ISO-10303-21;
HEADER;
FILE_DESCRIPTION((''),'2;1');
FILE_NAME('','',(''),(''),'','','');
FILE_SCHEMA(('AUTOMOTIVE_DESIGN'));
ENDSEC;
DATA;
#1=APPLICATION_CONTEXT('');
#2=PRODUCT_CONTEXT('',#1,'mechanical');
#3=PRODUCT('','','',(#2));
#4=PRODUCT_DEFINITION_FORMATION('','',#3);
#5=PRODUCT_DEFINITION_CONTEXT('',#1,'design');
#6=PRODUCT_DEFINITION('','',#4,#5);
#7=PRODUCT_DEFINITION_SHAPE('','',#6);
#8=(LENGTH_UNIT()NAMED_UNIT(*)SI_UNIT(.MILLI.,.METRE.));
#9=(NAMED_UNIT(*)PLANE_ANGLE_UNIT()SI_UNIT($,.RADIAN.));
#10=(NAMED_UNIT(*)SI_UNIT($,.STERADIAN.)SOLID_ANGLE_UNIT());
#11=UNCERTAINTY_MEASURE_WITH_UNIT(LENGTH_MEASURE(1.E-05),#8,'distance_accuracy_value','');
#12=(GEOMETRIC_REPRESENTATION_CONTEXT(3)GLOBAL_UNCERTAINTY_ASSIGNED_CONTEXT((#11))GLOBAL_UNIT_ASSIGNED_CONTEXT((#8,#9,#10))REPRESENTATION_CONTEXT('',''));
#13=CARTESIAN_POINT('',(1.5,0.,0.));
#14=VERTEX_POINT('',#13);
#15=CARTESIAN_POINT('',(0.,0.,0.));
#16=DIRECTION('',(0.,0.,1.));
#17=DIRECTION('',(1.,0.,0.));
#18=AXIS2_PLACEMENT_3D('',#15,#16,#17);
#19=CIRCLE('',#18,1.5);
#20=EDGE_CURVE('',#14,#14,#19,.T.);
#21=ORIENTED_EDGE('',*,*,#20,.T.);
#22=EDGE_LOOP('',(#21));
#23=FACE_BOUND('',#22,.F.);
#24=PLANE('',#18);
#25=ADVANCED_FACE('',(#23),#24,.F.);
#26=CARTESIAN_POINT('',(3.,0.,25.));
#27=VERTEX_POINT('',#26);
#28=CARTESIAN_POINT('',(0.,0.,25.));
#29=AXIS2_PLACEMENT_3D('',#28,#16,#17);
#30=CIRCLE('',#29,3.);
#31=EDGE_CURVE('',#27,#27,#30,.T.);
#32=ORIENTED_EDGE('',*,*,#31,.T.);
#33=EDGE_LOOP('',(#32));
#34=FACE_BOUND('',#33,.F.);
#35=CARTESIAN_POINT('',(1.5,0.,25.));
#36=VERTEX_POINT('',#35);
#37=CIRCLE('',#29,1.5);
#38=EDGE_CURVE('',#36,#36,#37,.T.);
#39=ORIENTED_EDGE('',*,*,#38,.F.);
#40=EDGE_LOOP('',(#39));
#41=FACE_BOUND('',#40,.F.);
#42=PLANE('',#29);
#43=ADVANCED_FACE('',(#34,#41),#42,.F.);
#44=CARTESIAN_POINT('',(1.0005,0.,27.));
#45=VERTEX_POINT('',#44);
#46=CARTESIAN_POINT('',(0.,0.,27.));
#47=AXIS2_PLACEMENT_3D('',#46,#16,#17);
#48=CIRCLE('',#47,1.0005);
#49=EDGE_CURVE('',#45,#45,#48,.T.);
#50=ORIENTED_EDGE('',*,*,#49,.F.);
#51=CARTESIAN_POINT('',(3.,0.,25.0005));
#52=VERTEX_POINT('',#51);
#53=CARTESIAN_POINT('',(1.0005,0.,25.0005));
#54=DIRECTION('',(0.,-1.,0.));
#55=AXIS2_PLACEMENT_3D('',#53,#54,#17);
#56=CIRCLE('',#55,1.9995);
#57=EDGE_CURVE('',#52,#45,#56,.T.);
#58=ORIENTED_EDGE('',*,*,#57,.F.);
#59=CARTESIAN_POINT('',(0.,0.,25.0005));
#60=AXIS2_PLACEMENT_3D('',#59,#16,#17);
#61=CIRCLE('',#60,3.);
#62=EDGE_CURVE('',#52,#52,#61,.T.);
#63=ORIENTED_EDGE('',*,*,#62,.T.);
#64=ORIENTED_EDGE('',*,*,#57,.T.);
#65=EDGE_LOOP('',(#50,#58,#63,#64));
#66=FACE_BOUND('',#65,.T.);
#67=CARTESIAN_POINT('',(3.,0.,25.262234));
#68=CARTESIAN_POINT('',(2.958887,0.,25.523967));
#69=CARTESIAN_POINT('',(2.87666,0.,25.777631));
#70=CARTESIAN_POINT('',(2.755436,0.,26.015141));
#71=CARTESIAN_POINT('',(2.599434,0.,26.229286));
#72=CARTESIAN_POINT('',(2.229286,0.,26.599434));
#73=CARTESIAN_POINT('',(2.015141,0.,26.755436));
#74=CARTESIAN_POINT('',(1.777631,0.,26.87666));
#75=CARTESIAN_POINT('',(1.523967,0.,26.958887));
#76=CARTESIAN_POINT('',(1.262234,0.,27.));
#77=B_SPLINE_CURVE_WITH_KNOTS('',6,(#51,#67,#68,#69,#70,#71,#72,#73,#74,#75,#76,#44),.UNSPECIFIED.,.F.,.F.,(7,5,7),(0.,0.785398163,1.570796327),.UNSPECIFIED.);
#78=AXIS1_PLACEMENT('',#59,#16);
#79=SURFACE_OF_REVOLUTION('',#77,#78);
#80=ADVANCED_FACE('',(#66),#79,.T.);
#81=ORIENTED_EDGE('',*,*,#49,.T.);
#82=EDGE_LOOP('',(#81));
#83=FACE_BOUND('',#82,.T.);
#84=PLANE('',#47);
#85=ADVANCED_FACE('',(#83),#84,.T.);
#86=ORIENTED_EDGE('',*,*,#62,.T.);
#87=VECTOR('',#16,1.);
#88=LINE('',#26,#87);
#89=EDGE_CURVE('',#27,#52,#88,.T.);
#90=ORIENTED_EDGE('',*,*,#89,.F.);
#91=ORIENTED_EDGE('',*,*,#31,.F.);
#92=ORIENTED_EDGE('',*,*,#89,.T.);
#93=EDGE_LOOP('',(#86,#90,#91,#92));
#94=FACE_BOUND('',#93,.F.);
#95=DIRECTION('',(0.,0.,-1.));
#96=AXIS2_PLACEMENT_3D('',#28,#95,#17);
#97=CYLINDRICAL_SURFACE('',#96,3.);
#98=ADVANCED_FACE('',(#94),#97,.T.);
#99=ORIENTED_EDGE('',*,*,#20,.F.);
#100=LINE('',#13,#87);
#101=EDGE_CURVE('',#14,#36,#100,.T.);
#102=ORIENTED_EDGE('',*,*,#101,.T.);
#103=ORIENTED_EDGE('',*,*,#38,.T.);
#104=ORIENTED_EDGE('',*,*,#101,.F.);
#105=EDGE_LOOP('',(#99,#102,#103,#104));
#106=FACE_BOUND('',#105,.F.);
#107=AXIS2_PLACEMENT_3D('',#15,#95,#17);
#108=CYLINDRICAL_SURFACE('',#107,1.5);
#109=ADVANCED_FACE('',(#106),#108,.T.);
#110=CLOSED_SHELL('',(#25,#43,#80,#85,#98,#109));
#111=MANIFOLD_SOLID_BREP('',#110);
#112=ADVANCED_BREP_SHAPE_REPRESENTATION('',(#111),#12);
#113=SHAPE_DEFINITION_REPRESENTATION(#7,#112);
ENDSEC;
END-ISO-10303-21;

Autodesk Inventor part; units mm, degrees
ref_plane "YZ Plane" through (0, 0, 0) normal (1, 0, 0) x (0, 1, 0)
ref_plane "XZ Plane" through (0, 0, 0) normal (0, 1, 0) x (-1, 0, 0)
ref_plane "XY Plane" through (0, 0, 0) normal (0, 0, 1) x (1, 0, 0)
sketch "スケッチ1" plane through (0, 0, 0) normal (0, 0, 1) x (1, 0, 0)
  circle A0 centre (0, 0) radius 1.5
  dimension "d0" = 3
extrude "押し出し1" add sketch "スケッチ1" along normal blind 25
sketch "スケッチ2" plane through (0, 0, 25) normal (0, 0, 1) x (1, 0, 0)
  circle A0 centre (0, 0) radius 1.5 projected
  circle A1 centre (0, 0) radius 3
  dimension "d3" = 6
extrude "押し出し2" add sketch "スケッチ2" along normal blind 2 contours A0 | A1
fillet "フィレット1" radius 2 1 edges at (-3, 0, 27)
properties part number "M3ボタンボルト20" material "鋼、高強度、低合金"
